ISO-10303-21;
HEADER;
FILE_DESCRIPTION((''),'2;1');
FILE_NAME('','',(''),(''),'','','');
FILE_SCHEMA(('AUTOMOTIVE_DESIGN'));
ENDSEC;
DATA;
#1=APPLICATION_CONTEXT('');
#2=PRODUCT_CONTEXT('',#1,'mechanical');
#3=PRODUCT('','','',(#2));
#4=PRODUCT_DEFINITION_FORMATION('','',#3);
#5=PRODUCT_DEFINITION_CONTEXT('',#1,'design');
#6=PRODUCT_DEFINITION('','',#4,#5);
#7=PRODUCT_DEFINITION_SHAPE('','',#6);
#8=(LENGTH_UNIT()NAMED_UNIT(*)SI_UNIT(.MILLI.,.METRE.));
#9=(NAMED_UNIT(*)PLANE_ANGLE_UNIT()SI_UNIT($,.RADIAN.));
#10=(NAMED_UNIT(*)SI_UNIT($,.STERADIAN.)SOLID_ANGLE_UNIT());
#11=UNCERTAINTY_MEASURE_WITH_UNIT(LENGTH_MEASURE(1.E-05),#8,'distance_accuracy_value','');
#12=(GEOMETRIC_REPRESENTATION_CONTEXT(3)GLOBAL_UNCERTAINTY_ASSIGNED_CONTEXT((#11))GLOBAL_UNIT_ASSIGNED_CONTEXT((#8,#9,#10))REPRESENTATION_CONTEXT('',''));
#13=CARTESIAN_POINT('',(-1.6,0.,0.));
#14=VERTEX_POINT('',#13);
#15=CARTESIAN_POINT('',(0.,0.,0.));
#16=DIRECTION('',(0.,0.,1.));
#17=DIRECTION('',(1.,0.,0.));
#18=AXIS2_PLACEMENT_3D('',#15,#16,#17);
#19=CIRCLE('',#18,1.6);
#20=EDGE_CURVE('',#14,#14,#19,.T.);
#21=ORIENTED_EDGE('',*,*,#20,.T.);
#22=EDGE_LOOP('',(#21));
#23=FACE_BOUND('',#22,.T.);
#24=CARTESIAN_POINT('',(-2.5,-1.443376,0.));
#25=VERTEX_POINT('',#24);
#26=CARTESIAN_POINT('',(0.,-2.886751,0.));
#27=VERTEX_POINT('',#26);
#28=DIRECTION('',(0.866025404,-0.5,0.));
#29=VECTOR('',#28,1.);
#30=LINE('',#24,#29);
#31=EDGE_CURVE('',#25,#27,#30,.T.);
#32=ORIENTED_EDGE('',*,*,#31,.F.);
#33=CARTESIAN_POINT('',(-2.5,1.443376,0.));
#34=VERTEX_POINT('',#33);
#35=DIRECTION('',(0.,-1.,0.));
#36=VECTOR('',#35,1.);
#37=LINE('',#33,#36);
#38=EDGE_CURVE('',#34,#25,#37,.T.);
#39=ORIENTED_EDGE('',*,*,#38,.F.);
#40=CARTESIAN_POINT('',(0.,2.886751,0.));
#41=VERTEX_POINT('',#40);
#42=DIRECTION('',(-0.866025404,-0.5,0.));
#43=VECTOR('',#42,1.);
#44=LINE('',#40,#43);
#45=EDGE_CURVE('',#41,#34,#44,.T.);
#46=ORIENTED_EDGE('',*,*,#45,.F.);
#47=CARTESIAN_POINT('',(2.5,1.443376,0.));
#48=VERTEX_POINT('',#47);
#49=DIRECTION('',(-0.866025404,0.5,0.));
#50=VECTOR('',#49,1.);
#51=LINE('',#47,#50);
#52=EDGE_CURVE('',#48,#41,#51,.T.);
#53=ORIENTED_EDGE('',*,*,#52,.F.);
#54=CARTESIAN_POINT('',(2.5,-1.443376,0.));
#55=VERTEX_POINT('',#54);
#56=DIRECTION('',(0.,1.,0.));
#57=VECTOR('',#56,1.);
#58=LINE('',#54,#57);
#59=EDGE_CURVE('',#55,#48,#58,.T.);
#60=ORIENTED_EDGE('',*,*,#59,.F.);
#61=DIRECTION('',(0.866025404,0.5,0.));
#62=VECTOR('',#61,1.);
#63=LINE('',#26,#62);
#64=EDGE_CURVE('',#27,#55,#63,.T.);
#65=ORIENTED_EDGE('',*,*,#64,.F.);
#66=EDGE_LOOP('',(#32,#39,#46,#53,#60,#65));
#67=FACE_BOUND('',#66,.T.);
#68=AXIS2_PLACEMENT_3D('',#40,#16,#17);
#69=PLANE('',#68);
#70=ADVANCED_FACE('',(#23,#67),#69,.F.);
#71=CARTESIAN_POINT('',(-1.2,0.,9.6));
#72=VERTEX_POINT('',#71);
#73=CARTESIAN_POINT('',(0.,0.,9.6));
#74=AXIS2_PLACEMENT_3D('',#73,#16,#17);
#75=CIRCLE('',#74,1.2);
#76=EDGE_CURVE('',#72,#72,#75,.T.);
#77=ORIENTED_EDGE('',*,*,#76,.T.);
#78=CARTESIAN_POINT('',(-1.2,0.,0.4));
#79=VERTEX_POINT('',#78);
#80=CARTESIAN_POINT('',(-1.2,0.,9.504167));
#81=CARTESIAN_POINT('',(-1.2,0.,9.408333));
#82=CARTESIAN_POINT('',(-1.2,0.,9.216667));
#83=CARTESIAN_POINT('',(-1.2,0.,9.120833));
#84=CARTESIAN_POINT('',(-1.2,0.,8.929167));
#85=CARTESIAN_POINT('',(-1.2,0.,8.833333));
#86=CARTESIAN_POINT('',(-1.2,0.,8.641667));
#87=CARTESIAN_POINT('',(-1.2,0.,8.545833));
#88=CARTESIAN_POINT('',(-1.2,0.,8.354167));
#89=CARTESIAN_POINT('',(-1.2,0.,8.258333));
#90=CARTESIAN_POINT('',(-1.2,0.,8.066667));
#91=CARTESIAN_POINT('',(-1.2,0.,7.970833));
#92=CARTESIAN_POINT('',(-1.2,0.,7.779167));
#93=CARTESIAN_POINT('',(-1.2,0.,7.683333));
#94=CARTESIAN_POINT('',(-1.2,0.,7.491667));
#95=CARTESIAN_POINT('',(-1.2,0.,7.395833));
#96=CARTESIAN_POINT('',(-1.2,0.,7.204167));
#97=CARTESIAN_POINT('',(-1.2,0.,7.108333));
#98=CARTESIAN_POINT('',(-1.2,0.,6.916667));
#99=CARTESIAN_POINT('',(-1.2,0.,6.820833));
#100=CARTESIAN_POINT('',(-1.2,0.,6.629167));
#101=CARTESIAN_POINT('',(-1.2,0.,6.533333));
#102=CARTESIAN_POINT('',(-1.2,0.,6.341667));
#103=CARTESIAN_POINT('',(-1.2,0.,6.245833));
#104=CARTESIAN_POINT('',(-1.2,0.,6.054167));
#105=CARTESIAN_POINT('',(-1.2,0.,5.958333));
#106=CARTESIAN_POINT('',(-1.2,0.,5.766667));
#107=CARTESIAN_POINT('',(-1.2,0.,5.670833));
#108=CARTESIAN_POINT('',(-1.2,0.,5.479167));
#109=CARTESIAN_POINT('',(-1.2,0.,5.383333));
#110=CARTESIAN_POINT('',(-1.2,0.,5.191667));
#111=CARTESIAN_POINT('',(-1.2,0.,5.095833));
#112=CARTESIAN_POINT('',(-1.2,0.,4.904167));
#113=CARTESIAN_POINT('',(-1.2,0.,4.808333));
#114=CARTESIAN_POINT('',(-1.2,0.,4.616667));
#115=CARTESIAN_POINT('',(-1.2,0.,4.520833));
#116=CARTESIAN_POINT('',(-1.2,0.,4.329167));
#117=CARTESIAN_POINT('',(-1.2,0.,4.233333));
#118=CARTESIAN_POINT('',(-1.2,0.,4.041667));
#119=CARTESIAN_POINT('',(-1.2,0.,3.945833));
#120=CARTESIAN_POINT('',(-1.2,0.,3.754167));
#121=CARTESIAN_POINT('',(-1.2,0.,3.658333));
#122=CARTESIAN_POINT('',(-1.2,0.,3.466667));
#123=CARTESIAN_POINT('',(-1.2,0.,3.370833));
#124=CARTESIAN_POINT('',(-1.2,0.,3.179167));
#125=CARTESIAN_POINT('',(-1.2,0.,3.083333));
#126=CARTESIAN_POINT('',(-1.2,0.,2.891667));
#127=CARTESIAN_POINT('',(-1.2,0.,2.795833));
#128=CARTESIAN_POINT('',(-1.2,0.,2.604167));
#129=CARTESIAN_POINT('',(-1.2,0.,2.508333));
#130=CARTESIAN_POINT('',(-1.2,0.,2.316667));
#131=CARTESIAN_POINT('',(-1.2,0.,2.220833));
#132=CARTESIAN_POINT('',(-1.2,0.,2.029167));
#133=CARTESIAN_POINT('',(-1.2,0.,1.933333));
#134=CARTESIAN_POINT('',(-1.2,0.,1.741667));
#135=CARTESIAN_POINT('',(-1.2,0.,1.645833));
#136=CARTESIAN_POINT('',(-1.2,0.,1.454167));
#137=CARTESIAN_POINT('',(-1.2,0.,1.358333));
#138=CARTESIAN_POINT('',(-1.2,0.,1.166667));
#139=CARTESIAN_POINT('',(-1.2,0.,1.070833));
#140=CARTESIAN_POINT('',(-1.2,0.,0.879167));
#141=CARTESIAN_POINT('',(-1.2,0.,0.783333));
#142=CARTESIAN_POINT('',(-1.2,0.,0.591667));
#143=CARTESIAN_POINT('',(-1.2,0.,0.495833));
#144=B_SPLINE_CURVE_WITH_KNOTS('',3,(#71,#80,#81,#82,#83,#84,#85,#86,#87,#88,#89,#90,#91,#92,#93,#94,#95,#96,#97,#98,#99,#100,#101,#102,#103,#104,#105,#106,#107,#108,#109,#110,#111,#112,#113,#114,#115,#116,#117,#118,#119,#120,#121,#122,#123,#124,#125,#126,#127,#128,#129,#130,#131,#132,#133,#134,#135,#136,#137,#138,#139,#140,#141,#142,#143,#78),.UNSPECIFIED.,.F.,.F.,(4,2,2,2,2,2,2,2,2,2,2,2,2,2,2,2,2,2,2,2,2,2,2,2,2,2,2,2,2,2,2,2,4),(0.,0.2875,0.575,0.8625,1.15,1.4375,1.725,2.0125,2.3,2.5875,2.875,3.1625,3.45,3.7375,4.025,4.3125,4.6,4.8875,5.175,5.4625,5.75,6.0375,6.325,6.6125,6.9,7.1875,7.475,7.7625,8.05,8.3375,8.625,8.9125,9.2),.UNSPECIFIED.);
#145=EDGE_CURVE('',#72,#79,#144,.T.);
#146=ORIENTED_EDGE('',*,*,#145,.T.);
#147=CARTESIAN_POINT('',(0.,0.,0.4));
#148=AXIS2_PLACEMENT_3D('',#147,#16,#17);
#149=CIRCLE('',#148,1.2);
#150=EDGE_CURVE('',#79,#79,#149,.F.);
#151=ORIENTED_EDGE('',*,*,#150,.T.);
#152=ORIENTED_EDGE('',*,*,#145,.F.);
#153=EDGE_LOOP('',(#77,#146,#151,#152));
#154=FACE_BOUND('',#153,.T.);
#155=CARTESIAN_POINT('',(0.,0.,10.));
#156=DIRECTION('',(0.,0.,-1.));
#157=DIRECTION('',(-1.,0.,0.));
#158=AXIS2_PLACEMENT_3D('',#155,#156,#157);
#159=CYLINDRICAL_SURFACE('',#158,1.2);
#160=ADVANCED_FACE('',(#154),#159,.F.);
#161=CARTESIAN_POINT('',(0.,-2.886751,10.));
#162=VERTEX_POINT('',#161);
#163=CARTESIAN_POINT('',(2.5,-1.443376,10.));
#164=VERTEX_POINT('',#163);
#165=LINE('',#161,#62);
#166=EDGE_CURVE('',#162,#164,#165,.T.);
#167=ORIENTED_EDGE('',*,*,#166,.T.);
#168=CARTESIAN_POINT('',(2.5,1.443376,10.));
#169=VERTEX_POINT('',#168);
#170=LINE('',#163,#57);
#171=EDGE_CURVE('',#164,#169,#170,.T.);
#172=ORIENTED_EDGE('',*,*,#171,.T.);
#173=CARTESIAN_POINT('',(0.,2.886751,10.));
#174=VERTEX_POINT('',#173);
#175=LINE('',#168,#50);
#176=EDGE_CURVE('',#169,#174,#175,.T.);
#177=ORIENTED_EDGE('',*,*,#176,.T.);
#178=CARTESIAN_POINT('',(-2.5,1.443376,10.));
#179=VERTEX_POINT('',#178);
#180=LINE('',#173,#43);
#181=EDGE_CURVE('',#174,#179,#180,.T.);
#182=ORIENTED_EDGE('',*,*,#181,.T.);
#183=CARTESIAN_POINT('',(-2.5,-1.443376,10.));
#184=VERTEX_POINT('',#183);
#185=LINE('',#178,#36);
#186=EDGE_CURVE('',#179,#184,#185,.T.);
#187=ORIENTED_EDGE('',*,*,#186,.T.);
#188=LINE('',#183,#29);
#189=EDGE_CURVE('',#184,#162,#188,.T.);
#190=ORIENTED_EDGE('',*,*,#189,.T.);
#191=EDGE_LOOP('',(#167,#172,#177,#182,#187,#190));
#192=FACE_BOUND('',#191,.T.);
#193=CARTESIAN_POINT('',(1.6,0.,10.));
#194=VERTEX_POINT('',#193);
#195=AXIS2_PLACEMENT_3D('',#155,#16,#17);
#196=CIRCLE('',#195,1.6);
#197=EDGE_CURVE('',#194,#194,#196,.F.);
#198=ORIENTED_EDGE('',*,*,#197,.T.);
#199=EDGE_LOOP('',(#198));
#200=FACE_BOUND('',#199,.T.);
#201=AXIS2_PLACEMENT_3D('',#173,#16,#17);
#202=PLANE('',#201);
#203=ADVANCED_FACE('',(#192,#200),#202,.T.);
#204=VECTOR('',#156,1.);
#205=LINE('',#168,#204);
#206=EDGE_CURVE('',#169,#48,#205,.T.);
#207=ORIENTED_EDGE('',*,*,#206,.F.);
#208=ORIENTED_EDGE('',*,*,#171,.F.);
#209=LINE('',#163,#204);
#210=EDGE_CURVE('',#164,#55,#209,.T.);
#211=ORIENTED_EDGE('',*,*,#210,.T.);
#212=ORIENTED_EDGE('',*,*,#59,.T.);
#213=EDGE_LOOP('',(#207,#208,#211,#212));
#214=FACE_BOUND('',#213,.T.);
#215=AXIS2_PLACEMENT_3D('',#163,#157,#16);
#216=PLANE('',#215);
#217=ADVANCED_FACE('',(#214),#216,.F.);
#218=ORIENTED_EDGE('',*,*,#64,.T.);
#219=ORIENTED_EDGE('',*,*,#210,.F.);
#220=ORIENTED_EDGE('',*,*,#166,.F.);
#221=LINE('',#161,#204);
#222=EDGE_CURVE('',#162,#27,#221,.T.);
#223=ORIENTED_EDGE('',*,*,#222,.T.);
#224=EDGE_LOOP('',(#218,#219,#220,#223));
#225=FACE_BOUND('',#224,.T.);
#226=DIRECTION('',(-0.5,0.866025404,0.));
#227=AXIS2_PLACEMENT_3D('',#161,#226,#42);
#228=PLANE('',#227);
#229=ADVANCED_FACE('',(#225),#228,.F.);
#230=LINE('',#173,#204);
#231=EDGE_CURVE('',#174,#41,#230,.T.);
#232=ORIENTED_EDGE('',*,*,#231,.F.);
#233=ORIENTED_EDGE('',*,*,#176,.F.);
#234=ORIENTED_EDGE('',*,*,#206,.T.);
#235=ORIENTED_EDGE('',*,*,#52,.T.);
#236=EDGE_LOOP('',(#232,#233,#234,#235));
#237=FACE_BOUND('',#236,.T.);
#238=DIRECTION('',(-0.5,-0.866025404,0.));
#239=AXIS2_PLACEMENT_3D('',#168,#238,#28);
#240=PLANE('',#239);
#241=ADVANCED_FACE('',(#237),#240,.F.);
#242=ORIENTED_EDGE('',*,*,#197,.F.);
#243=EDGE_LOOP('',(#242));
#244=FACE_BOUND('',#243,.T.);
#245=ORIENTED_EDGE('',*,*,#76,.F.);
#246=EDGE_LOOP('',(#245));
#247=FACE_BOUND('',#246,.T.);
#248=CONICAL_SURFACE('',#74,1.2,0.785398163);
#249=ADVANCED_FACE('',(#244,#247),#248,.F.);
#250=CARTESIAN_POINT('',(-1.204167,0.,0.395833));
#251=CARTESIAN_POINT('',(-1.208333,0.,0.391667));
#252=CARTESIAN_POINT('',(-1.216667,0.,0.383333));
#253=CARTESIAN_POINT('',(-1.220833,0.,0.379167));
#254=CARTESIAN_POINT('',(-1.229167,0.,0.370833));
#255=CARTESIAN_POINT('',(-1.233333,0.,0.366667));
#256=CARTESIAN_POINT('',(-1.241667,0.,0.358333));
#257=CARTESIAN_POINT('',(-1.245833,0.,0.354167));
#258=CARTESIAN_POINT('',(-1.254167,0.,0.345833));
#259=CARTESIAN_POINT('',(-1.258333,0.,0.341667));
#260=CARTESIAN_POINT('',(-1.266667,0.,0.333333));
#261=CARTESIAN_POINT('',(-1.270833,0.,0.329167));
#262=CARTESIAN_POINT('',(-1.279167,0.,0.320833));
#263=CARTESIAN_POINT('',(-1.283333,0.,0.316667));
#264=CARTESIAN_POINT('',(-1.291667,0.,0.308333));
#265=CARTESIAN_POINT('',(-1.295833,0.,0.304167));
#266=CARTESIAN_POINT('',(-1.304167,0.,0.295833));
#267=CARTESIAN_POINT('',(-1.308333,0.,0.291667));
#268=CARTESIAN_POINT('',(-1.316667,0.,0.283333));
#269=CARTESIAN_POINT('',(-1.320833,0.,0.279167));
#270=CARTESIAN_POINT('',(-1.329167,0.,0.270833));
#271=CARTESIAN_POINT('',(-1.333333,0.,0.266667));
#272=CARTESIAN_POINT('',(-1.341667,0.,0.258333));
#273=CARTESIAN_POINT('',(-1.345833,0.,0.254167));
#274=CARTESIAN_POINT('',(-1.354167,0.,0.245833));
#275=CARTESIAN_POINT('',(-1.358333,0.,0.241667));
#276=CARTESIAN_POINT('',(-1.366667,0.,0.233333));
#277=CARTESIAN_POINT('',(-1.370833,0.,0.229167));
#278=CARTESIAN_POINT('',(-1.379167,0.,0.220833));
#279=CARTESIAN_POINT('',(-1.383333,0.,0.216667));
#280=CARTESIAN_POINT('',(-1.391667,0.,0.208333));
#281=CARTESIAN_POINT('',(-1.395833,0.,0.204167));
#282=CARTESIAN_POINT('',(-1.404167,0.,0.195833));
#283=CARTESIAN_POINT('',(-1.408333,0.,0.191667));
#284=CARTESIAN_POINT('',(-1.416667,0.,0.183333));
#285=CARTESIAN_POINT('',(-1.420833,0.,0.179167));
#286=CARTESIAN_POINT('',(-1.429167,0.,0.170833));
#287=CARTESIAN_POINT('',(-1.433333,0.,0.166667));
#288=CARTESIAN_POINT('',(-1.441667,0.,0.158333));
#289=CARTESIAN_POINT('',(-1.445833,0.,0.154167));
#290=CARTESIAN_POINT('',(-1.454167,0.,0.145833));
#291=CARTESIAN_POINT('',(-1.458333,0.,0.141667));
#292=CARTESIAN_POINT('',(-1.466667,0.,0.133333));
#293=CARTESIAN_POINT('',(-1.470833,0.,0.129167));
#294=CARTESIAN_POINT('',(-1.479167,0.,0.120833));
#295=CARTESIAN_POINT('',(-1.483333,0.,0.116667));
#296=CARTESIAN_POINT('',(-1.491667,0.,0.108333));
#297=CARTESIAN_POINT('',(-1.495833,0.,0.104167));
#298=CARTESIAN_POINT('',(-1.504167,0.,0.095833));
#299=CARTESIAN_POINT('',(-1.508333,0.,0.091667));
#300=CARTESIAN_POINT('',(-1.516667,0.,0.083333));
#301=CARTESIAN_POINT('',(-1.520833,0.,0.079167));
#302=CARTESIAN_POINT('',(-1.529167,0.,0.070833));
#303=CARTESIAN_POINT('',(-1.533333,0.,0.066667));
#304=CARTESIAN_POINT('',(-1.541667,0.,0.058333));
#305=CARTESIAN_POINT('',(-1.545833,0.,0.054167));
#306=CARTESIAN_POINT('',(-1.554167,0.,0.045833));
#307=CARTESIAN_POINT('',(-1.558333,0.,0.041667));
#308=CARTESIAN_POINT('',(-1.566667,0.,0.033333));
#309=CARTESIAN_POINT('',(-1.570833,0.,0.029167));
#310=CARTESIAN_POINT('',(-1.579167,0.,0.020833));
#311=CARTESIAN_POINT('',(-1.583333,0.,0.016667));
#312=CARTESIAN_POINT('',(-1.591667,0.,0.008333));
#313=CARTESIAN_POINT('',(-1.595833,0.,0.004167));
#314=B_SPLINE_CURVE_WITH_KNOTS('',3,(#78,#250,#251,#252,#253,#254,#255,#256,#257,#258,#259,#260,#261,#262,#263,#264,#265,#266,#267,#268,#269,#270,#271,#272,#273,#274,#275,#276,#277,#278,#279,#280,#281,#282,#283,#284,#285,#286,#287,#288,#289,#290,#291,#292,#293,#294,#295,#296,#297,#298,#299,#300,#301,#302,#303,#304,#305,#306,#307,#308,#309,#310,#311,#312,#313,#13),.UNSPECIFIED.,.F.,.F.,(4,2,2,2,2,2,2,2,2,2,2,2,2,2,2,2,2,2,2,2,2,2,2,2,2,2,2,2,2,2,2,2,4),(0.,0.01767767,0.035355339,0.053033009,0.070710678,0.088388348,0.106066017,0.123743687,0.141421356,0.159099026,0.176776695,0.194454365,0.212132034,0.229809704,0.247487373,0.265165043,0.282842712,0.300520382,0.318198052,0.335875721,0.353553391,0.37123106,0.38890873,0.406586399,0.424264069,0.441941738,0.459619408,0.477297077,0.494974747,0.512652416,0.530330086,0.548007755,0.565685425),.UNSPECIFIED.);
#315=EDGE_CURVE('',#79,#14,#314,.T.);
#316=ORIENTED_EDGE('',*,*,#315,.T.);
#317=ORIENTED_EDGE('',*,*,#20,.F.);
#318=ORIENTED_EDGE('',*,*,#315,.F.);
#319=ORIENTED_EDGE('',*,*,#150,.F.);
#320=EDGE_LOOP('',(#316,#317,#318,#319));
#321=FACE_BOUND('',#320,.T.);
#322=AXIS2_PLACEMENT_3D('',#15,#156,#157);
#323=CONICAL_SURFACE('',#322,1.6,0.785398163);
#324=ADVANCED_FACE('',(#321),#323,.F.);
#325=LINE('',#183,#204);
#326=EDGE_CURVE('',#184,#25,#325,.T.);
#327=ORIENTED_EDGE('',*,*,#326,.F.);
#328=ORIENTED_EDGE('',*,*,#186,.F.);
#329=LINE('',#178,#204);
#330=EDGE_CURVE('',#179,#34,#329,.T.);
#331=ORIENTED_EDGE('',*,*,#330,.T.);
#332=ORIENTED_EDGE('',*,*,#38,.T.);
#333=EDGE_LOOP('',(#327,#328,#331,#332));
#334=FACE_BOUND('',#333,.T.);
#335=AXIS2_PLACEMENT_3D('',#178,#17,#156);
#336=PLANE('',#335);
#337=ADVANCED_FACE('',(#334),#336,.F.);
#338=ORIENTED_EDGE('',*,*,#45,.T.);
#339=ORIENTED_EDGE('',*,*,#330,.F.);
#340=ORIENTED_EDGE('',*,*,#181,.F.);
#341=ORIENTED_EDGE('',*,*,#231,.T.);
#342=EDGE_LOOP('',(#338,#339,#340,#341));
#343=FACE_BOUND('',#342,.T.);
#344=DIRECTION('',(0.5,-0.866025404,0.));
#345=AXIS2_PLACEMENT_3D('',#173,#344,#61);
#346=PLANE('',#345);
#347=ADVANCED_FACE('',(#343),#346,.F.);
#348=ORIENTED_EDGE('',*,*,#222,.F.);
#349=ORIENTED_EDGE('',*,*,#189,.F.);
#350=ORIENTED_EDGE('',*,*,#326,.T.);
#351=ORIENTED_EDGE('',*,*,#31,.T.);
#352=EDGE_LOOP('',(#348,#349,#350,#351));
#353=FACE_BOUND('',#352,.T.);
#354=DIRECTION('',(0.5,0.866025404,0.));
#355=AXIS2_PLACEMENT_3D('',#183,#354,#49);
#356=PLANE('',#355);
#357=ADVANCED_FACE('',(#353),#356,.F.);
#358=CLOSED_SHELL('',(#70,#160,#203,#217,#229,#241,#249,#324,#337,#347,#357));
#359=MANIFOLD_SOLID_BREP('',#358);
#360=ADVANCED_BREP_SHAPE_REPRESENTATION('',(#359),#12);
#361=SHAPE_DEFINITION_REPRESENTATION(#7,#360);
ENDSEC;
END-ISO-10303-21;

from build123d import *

# Parameters (mm, degrees)
SKETCH_1_R      = 1.2
EXTRUDE_1_DEPTH = 10
CHAMFER_1_SIZE  = 0.4


with BuildPart() as part:
    # Эскиз1 → Вытянуть1 (new body)
    with BuildSketch(Plane.XY):
        Polygon((0, 2.886751346), (-2.5, 1.443375673), (-2.5, -1.443375673), (0, -2.886751346), (2.5, -1.443375673), (2.5, 1.443375673), align=None)
        Circle(SKETCH_1_R, mode=Mode.SUBTRACT)
    extrude(amount=EXTRUDE_1_DEPTH)

    # Фаска1
    chamfer_1_edges = [part.edges().sort_by_distance(p)[0] for p in [
        (-1.2, 0, 0),
        (-1.2, 0, 10),
    ]]
    chamfer(chamfer_1_edges, length=CHAMFER_1_SIZE)


solid = part.part
